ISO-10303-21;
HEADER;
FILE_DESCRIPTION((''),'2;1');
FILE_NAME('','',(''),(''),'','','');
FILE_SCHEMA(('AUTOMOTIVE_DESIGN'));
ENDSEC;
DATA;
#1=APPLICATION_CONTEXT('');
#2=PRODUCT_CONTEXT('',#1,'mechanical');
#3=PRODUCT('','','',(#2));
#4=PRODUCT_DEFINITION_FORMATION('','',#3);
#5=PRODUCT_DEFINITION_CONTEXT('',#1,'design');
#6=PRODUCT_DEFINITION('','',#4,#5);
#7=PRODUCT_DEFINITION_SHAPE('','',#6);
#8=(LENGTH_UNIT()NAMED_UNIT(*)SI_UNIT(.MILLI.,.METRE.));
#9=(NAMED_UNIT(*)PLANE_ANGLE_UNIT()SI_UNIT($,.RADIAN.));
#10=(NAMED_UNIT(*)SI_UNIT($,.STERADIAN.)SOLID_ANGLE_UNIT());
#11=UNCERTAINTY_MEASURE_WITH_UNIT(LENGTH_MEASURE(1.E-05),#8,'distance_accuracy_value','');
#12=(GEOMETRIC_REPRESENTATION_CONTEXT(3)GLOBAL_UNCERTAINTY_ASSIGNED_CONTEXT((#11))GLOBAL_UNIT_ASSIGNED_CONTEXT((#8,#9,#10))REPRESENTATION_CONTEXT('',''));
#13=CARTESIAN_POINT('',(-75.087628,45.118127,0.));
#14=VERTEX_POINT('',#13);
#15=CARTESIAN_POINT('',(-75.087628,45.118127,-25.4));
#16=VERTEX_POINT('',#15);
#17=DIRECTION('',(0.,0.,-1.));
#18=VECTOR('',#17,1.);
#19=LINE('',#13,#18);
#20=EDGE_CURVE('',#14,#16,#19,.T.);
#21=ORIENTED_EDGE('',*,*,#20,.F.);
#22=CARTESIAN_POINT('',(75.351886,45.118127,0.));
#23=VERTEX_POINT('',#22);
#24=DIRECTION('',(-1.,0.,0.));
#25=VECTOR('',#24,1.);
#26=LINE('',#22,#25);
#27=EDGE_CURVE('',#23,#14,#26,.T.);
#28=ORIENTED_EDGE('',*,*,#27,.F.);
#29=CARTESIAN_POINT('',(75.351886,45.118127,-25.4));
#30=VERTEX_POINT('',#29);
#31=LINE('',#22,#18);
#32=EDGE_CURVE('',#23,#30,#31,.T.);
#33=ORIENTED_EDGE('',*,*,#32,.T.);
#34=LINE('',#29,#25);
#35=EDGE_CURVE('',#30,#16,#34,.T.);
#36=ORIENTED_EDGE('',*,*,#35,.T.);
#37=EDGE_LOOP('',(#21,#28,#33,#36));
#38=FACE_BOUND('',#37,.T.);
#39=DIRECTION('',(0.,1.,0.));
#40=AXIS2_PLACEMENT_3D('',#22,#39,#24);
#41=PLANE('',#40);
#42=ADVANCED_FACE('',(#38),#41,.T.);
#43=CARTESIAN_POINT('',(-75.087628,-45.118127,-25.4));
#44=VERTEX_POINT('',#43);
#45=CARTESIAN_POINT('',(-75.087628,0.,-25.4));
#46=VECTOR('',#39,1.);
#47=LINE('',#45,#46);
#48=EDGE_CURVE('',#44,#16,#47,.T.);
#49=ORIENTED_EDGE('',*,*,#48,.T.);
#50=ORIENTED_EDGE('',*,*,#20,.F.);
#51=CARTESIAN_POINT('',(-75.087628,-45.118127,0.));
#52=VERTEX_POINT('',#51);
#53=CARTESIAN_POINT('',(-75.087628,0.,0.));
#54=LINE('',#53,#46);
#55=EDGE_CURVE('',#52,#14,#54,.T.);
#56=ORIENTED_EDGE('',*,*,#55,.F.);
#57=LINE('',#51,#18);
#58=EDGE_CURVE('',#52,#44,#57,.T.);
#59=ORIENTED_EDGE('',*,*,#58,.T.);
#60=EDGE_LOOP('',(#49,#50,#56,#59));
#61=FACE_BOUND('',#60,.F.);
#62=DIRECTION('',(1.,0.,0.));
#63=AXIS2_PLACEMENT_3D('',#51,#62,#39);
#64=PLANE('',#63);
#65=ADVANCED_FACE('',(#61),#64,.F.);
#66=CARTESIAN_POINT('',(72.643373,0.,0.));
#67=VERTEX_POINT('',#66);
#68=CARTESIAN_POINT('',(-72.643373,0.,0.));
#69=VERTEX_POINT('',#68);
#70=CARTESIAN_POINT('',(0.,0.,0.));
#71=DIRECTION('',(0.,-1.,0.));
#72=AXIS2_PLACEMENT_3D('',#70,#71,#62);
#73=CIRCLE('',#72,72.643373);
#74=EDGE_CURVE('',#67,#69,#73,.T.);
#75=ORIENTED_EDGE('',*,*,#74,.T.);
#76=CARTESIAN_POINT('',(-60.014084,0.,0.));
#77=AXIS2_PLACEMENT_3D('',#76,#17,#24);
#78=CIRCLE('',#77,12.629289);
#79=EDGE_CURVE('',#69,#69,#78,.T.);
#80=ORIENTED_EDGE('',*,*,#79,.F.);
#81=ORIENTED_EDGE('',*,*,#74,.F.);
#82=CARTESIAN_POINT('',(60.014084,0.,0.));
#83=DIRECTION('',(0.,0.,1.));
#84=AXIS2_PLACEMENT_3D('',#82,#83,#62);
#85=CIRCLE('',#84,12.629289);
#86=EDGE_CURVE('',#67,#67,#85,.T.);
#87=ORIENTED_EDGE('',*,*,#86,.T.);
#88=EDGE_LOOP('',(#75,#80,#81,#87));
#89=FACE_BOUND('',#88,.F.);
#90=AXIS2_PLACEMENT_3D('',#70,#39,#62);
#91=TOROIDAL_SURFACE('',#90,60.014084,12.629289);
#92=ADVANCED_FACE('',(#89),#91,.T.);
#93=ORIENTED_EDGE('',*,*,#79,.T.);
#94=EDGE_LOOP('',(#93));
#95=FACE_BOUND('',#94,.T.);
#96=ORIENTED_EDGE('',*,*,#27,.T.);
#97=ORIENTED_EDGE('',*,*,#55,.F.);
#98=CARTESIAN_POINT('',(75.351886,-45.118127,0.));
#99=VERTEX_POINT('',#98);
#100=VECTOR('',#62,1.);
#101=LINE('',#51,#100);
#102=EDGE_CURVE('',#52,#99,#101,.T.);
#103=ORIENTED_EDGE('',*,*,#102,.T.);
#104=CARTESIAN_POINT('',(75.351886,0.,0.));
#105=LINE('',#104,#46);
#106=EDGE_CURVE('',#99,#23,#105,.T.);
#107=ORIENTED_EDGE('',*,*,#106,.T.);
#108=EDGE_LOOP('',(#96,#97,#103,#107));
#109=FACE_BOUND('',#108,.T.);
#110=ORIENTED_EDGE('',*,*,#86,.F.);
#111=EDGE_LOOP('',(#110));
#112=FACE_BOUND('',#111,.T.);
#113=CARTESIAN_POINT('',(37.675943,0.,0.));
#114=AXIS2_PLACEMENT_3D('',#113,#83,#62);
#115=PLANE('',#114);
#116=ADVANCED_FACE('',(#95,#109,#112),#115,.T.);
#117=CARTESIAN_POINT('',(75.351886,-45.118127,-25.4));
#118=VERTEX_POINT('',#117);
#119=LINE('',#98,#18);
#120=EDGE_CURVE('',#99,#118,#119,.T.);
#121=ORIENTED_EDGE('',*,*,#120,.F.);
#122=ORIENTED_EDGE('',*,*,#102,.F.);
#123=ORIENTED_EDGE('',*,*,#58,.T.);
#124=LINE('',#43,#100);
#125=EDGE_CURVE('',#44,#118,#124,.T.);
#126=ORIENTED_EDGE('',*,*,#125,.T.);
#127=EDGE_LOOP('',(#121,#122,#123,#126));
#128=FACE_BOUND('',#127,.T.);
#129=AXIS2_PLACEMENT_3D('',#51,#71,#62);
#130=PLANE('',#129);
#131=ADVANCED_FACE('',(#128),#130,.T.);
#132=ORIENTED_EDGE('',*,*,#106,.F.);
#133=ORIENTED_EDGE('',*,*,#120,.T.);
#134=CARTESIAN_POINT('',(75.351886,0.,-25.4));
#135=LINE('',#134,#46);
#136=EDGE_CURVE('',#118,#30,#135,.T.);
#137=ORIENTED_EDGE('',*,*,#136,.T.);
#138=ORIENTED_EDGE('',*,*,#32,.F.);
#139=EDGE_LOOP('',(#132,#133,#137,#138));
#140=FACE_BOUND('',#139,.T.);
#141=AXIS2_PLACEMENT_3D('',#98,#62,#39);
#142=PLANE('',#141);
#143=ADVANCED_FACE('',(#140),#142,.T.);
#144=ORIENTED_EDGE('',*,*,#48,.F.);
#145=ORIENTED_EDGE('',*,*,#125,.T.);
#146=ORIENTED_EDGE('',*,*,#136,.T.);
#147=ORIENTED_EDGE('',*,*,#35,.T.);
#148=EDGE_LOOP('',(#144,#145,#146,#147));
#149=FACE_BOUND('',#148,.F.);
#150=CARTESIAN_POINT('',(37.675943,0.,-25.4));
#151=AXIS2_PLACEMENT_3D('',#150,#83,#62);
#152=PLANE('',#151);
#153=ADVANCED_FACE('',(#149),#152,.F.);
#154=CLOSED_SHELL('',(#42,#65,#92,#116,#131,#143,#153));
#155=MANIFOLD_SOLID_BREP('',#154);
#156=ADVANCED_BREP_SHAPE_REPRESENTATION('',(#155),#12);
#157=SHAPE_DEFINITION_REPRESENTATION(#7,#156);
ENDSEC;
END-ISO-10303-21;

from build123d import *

# Parameters (mm, degrees)
F0_W     = 75.351886
F0_H     = 90.236254
F0_W_2   = 75.087629
F2_DEPTH = 25.4
F1_R     = 12.629289
F3_ANGLE = -180


with BuildPart() as f2:
    # F0 (on Top) → F2 (new body)
    with BuildSketch(Plane.XY):
        with Locations((37.675943, 0)):
            Rectangle(F0_W, F0_H)
        with Locations((-37.543814, 0)):
            Rectangle(F0_W_2, F0_H)
    extrude(amount=-F2_DEPTH)

    # F1 (on face) → F3 (revolve)
    with BuildSketch(Plane.XY):
        with Locations((60.014084, 0)):
            Circle(F1_R)
    revolve(axis=Axis((0, 0.875765, 0), (0, 1, 0)), revolution_arc=F3_ANGLE)


solid = f2.part
